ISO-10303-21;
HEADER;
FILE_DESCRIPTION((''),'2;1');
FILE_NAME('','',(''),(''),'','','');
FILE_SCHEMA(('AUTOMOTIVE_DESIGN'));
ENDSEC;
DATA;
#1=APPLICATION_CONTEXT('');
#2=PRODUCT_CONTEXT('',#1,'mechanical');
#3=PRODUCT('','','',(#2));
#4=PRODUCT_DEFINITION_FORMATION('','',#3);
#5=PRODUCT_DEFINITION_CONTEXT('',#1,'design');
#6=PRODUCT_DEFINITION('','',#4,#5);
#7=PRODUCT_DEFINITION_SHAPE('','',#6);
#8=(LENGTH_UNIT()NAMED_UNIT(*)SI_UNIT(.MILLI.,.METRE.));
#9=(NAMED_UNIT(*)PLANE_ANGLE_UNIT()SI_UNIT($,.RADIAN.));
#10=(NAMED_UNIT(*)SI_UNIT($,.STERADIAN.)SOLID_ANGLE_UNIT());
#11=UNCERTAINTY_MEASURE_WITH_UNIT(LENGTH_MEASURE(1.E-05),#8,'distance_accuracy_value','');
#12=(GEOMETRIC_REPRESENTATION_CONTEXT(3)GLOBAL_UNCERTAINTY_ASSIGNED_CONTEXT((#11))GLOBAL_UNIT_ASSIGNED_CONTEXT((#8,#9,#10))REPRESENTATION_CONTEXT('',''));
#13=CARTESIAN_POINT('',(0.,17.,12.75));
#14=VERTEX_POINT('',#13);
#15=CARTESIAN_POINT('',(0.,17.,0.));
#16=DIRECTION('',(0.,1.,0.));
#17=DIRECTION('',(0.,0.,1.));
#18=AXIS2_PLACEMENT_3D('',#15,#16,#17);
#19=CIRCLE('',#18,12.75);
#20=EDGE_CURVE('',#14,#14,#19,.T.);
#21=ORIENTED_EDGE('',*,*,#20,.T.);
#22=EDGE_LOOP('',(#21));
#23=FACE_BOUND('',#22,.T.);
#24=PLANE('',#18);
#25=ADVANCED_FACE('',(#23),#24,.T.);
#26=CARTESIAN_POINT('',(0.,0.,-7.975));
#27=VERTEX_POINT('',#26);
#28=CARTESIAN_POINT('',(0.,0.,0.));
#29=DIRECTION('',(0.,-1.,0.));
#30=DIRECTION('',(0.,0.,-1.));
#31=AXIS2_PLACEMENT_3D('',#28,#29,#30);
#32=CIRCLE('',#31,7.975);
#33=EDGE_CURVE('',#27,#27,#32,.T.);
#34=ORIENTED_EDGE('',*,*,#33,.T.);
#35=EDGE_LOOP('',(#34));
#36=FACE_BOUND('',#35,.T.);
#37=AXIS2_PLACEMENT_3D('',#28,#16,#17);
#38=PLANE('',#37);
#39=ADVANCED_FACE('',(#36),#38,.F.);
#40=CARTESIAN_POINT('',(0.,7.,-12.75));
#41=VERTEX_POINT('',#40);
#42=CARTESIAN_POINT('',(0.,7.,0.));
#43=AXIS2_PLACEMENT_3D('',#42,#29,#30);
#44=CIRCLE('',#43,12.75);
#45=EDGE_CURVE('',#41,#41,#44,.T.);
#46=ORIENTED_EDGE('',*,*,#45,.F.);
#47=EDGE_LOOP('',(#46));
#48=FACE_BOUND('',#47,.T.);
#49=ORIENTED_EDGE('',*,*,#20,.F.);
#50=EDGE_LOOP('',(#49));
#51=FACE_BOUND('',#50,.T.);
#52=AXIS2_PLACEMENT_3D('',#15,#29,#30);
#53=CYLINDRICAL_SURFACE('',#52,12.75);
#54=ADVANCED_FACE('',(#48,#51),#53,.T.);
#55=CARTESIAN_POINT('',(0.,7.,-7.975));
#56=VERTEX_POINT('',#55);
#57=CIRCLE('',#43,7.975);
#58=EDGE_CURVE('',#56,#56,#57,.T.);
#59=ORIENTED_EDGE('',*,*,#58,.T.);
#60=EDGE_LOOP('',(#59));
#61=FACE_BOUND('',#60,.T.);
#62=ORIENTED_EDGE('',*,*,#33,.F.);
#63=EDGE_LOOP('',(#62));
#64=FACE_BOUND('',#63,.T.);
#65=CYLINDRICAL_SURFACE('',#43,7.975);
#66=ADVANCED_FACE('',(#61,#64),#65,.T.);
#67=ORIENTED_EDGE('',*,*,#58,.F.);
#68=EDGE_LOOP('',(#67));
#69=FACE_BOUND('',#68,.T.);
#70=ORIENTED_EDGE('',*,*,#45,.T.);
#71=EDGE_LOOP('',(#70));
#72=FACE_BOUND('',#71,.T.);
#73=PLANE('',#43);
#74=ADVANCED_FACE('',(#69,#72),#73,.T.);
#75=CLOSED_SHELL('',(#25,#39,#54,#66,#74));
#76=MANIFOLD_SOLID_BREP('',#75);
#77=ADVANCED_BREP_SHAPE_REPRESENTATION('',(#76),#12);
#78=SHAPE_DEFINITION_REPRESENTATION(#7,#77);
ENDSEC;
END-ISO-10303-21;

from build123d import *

# Parameters (mm, degrees)
SKETCH1_R           = 12.75
BOSS_EXTRUDE1_DEPTH = 17
SKETCH2_R           = 12.75
SKETCH2_R_2         = 7.975
CUT_EXTRUDE1_DEPTH  = 7


with BuildPart() as part:
    # Sketch1 → Boss-Extrude1 (new body)
    with BuildSketch(Plane(origin=(0, 0, 0), x_dir=(1, 0, 0), z_dir=(0, 1, 0))):
        with Locations(Location((0, 0, 0), (0, 0, 270))):
            Circle(SKETCH1_R)
    extrude(amount=BOSS_EXTRUDE1_DEPTH)

    # Sketch2 → Cut-Extrude1 (cut)
    with BuildSketch(Plane.XZ):
        with Locations(Location((0, 0, 0), (0, 0, 270))):
            Circle(SKETCH2_R)
        with Locations(Location((0, 0, 0), (0, 0, 270))):
            Circle(SKETCH2_R_2, mode=Mode.SUBTRACT)
    extrude(amount=-CUT_EXTRUDE1_DEPTH, mode=Mode.SUBTRACT)


solid = part.part
